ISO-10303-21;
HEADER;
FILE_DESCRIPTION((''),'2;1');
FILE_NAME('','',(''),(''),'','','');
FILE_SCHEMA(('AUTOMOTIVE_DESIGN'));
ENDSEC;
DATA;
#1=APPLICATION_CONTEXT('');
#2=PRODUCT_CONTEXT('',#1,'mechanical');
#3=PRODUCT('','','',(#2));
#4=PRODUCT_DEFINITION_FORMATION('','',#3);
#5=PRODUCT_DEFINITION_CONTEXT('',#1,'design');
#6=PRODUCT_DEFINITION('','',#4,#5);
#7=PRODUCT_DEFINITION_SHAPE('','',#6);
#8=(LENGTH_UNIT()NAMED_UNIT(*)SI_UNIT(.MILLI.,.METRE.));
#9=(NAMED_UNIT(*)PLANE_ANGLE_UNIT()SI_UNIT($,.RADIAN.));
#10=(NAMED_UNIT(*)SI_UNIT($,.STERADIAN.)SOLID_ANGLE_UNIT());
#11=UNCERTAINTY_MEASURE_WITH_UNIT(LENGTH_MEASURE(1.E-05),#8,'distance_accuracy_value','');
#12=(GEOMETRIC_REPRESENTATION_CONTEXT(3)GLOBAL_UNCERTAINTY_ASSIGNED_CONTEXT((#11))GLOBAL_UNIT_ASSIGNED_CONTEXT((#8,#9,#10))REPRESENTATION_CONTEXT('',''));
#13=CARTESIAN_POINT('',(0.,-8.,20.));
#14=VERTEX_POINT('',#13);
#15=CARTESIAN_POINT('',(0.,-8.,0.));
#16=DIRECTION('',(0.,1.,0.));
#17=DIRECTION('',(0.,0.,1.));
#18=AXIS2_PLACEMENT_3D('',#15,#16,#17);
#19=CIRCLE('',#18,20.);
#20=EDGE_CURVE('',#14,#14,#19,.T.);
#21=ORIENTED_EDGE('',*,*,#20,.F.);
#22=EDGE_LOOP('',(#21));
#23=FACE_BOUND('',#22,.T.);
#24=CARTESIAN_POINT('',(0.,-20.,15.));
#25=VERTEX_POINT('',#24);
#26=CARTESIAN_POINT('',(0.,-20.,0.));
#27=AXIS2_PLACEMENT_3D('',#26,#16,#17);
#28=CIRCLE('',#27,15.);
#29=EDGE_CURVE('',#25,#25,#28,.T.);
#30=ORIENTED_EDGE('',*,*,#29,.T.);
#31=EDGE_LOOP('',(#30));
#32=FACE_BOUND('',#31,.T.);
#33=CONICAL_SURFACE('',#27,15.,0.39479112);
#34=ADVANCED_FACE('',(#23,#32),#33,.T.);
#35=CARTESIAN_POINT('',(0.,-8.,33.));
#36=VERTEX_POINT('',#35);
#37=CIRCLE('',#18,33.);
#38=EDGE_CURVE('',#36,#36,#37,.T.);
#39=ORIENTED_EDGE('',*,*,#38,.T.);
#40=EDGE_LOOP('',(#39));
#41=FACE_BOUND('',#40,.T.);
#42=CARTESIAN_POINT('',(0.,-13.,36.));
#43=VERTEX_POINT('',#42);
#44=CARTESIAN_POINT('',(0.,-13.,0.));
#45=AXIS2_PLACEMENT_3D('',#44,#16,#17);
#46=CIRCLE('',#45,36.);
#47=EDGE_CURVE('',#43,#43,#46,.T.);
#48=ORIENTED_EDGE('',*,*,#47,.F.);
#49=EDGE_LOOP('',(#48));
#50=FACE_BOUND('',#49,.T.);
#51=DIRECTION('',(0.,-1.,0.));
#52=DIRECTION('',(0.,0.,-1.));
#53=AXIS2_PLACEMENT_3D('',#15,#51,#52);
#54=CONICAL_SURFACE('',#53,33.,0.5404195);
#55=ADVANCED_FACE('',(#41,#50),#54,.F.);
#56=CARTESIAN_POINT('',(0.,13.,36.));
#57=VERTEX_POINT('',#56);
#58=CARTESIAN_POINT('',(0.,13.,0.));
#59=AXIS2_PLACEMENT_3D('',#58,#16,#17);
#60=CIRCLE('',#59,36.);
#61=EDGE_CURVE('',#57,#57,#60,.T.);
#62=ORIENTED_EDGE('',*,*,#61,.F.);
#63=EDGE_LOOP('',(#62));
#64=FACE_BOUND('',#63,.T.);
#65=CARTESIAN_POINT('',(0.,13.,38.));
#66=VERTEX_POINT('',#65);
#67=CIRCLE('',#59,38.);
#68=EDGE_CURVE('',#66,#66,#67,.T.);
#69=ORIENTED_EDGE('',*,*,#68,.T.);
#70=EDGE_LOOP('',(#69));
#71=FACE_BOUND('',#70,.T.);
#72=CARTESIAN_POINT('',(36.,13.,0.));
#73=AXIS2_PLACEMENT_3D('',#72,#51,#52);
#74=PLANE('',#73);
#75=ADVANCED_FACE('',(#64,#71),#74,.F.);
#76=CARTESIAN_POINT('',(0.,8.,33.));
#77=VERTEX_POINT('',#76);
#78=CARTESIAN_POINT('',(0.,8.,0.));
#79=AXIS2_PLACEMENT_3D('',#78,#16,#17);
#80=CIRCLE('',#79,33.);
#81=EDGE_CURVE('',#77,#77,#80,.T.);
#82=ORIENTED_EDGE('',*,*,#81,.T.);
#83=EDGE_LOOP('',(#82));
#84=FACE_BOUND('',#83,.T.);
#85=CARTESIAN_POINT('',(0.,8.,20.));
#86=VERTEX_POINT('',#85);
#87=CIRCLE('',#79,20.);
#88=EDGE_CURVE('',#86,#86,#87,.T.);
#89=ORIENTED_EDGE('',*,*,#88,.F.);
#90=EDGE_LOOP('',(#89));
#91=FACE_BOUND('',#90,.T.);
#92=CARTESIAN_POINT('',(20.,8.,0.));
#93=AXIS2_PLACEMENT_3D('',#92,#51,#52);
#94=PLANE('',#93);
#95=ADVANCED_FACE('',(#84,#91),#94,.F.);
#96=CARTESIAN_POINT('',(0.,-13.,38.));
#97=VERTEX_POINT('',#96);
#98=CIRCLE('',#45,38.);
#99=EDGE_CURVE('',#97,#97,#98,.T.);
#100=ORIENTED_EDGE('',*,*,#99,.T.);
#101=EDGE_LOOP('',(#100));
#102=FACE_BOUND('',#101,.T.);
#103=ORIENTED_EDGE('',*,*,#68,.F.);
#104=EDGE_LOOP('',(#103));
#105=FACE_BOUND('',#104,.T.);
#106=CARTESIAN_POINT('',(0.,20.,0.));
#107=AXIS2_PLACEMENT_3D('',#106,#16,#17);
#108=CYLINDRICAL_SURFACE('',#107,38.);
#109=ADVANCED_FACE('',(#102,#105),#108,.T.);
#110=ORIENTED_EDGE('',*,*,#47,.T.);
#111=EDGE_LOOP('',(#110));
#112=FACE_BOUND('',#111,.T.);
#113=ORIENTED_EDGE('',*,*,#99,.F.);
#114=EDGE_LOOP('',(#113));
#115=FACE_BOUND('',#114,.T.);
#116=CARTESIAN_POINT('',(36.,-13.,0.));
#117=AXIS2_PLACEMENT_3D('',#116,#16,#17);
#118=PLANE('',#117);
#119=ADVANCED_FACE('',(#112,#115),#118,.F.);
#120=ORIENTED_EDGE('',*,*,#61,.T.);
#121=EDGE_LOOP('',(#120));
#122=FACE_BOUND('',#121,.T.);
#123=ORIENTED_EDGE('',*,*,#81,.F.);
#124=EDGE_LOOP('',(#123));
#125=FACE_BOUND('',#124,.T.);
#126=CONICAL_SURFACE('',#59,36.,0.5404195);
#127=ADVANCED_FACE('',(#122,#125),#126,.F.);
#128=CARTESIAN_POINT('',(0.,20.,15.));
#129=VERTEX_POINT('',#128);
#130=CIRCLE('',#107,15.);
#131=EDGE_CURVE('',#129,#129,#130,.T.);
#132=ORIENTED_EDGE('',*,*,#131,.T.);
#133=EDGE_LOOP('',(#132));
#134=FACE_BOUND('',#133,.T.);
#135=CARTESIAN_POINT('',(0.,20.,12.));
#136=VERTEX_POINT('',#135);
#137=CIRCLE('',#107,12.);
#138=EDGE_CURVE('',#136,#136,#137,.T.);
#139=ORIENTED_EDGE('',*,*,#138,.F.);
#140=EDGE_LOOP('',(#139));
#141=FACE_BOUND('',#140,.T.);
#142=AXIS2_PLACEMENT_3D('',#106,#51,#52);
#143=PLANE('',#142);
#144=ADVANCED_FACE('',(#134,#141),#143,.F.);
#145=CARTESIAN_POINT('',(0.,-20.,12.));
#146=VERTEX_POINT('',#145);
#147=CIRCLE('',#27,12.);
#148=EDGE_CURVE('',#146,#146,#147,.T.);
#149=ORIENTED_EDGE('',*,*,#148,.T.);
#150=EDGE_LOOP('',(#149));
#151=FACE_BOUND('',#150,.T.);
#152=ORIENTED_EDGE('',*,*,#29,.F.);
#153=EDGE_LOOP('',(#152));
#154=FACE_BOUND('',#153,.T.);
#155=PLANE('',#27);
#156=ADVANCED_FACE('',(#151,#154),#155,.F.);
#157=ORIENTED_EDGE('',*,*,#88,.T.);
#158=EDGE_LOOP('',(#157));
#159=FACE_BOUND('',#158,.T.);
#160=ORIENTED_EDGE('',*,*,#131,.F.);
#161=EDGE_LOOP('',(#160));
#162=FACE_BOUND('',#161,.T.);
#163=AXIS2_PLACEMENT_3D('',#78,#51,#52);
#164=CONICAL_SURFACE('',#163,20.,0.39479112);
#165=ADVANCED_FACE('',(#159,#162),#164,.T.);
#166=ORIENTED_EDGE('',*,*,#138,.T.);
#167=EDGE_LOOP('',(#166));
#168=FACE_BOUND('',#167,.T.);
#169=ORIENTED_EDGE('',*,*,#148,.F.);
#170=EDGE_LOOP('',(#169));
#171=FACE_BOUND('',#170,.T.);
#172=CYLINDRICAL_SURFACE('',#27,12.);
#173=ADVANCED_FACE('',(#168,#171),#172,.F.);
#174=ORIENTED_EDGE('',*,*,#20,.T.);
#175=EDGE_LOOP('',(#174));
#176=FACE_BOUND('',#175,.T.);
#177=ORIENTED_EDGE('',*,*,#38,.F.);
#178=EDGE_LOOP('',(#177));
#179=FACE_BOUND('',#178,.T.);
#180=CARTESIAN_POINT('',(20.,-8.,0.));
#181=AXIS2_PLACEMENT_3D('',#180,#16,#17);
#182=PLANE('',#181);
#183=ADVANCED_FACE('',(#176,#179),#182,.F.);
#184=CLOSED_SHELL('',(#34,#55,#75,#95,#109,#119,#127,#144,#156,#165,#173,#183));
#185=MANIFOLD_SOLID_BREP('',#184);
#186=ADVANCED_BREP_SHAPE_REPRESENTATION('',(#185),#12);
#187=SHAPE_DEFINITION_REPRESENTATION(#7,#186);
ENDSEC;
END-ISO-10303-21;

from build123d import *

# Parameters (mm, degrees)
SKETCH2_R          = 12
CUT_EXTRUDE1_DEPTH = 67.992536898


with BuildPart() as part:
    # Sketch1 → Revolve1 (revolve)
    with BuildSketch(Plane.XY, mode=Mode.PRIVATE) as revolve1_sk:
        Polygon((0, 20), (15, 20), (20, 8), (33, 8), (36, 13), (38, 13), (38, -13), (36, -13), (33, -8), (20, -8), (15, -20), (0, -20), align=None)
    revolve(revolve1_sk.sketch.rotate(Axis((0, 20, 0), (0, -1, 0)), 90), axis=Axis((0, 20, 0), (0, -1, 0)))

    # Sketch2 → Cut-Extrude1 (cut, through all)
    with BuildSketch(Plane(origin=(0, 20, 0), x_dir=(1, 0, 0), z_dir=(0, 1, 0))):
        with Locations(Location((0, 0, 0), (0, 0, 270))):
            Circle(SKETCH2_R)
    extrude(amount=-CUT_EXTRUDE1_DEPTH, mode=Mode.SUBTRACT)


solid = part.part
